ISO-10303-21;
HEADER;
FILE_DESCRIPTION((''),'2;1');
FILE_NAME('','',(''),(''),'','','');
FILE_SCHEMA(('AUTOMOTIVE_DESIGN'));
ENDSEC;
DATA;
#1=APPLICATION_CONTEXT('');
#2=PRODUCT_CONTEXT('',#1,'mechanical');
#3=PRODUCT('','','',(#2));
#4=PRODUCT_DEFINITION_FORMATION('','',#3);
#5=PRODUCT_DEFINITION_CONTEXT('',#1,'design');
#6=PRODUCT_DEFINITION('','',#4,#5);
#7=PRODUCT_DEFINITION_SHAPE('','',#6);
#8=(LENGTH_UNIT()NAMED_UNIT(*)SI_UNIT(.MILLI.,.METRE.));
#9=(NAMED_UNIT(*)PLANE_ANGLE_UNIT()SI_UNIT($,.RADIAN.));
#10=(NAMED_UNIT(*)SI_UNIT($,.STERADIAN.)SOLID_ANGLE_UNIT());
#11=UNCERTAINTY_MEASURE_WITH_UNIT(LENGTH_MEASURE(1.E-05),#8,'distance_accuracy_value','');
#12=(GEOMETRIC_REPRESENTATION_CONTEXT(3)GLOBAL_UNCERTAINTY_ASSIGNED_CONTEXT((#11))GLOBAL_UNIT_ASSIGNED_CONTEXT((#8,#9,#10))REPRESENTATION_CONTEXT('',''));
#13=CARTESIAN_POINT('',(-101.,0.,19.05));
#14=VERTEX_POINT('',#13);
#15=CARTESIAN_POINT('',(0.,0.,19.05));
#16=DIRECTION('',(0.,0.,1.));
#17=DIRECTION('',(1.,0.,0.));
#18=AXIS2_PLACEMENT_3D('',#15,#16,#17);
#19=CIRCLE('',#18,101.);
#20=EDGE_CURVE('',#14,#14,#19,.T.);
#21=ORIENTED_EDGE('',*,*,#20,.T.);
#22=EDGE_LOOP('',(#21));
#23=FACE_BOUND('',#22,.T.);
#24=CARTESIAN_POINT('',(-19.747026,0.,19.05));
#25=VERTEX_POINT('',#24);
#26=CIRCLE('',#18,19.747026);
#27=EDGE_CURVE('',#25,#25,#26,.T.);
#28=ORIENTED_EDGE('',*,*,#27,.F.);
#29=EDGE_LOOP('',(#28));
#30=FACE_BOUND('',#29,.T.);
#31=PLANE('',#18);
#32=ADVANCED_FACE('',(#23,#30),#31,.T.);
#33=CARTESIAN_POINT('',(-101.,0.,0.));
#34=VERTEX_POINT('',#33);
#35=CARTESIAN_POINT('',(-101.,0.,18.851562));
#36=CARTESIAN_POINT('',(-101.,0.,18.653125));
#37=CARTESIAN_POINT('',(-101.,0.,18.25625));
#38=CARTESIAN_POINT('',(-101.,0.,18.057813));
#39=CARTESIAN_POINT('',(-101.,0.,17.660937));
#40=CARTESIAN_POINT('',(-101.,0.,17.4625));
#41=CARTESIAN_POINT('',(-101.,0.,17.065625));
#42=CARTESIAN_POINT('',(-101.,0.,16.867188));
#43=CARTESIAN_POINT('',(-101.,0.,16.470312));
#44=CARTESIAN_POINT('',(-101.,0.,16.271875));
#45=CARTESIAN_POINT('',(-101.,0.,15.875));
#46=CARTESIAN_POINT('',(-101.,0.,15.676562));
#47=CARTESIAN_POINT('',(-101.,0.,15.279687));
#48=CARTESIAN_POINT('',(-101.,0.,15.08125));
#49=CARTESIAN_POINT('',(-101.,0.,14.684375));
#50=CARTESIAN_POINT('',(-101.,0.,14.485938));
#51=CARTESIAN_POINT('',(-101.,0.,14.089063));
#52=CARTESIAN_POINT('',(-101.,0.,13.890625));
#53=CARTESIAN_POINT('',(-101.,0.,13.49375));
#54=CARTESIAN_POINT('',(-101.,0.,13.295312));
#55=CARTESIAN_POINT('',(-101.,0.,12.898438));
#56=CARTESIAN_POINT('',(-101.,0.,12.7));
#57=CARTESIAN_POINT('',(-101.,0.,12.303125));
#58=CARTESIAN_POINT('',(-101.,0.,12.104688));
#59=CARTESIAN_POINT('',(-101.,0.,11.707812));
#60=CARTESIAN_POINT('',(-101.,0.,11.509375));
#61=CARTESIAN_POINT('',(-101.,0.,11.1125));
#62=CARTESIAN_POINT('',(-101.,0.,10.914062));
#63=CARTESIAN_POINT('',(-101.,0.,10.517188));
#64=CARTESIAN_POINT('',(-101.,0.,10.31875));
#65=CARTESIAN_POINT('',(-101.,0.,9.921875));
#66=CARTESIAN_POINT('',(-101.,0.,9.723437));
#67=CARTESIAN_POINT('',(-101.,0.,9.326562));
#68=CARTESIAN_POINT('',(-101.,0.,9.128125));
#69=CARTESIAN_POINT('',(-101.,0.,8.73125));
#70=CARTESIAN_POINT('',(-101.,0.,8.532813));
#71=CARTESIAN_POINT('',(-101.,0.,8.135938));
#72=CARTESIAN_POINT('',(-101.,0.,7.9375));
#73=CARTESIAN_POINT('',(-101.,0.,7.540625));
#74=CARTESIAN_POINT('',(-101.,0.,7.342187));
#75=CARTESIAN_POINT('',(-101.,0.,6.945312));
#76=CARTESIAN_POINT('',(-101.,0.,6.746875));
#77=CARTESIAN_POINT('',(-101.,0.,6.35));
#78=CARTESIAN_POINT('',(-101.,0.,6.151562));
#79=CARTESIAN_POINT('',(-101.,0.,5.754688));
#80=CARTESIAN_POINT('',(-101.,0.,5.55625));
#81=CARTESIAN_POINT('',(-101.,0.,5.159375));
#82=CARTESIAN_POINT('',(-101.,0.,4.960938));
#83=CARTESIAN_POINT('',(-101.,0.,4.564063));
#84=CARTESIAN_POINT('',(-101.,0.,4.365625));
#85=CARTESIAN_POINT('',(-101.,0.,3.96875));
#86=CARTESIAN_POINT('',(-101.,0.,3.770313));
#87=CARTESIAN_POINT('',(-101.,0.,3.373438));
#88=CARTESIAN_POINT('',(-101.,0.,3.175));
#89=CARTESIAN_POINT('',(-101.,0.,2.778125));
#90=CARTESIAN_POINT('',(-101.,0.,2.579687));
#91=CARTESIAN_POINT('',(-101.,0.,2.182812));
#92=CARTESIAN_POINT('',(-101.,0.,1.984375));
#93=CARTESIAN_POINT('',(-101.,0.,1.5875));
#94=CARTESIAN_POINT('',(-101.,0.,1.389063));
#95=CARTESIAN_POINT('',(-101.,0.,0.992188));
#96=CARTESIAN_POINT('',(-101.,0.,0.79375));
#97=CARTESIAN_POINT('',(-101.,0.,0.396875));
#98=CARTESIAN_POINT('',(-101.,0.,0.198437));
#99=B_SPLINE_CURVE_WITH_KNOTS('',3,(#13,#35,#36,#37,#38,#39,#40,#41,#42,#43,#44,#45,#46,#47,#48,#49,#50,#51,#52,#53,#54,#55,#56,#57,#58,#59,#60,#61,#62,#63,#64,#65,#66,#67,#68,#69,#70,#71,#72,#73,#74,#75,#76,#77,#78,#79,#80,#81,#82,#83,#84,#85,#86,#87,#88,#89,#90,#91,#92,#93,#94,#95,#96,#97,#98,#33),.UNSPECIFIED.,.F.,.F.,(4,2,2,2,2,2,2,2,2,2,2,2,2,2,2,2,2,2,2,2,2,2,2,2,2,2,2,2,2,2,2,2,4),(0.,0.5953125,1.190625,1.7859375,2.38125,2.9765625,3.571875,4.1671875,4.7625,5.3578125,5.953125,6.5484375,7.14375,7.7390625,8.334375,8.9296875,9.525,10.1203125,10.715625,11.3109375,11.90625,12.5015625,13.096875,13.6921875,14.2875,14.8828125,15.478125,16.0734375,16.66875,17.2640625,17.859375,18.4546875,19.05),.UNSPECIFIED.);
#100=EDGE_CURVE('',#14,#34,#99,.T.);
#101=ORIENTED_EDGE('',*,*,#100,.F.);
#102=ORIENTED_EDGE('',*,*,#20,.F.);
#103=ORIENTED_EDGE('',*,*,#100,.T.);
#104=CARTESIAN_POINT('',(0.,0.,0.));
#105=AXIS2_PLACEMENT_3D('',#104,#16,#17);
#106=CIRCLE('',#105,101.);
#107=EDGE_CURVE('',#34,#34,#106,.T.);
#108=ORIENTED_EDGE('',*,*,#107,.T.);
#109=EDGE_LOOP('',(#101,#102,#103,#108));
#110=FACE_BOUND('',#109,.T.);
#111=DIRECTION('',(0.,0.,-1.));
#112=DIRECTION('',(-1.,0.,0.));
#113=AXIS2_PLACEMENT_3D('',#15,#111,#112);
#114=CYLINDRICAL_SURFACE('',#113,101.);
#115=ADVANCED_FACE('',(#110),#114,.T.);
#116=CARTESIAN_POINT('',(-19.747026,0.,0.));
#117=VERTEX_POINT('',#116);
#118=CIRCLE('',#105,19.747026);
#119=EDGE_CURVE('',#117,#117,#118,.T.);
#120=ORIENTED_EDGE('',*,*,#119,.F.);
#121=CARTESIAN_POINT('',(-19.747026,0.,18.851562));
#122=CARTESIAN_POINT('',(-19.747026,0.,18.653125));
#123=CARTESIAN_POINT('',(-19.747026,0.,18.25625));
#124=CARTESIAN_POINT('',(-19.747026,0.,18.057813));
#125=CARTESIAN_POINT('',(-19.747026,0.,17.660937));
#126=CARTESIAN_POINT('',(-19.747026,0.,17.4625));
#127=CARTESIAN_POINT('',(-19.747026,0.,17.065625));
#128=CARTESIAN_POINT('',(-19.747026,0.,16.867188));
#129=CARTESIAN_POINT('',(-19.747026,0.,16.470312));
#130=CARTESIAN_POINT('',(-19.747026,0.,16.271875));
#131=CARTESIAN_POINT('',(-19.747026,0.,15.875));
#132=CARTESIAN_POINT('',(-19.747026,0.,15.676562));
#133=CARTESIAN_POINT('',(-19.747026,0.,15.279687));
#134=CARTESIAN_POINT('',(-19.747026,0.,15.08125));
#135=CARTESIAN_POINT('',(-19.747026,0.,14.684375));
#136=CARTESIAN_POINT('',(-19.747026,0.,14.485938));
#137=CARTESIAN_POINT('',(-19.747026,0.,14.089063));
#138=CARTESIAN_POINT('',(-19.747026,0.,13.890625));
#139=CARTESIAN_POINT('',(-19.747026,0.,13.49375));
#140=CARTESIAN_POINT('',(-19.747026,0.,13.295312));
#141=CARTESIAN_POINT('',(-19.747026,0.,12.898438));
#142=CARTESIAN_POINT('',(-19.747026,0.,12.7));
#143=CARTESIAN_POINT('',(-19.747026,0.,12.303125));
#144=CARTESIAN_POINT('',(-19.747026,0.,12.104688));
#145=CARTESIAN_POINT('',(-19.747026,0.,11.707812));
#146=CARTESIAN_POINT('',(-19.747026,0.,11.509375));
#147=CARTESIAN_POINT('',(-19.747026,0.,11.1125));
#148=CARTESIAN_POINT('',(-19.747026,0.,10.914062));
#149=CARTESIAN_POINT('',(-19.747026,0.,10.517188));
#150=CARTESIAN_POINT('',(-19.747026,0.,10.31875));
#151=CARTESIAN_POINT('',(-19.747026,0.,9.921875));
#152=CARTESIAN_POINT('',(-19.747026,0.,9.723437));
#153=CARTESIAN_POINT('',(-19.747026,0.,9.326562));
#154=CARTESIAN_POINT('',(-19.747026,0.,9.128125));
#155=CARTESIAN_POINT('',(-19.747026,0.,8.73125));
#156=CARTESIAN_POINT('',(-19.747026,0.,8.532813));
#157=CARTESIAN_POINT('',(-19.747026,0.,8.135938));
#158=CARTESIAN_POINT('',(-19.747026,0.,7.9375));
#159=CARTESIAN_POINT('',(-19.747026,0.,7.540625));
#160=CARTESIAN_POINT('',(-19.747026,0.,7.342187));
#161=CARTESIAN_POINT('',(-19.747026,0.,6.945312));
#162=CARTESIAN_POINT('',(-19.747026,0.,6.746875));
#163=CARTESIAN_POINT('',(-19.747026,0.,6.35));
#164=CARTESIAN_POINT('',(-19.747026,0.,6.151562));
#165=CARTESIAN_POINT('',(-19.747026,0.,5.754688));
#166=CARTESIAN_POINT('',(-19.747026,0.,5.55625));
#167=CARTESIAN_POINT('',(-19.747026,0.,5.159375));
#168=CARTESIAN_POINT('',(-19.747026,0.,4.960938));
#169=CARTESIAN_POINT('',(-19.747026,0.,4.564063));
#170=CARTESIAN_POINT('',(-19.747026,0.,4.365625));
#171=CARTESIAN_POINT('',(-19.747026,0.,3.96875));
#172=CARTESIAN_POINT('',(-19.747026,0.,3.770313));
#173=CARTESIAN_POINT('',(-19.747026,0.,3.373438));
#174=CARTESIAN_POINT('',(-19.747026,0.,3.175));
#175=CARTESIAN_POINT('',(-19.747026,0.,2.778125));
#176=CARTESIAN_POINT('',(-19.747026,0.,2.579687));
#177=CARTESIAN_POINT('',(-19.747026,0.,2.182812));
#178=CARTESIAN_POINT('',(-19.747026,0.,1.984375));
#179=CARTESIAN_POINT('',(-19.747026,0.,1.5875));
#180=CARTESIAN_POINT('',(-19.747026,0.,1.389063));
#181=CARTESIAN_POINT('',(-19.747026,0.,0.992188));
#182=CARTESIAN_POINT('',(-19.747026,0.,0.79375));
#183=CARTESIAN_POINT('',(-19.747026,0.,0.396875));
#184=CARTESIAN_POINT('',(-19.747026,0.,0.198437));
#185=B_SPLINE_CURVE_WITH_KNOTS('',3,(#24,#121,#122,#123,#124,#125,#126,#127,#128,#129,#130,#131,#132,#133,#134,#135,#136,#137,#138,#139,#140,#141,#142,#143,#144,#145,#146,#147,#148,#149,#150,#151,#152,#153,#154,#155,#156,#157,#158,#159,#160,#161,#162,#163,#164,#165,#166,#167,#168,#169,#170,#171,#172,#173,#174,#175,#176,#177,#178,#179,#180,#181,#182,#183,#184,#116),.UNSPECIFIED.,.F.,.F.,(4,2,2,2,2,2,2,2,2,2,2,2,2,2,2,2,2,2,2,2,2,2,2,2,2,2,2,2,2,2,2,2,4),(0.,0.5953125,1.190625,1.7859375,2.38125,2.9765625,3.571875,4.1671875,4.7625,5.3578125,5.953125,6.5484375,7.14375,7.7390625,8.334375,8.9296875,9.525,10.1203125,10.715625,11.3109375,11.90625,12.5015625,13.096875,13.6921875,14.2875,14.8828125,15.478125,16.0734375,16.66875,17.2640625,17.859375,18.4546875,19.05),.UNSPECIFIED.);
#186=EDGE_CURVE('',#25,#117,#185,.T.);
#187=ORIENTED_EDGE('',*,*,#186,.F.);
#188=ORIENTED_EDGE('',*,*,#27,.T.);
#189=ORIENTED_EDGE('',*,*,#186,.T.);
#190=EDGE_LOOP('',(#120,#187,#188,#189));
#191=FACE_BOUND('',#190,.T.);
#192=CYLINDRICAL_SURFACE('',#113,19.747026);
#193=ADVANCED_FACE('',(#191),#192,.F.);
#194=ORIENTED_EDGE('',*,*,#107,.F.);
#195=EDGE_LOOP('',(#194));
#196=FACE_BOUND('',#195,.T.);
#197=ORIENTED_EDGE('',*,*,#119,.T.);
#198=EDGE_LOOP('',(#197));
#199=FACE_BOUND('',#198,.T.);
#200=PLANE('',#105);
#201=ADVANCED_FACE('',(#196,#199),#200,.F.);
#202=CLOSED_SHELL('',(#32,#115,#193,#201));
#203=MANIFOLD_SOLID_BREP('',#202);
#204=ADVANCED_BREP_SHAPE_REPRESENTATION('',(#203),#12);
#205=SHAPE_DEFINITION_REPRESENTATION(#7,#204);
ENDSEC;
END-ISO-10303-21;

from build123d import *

# Parameters (mm, degrees)
BASEPLATE_R         = 101
BASEPLATE_R_2       = 19.747025761
BOSS_EXTRUDE1_DEPTH = 19.05


with BuildPart() as part:
    # Baseplate → Boss-Extrude1 (new body)
    with BuildSketch(Plane.XY):
        with Locations(Location((0, 0, 0), (0, 0, 180))):
            Circle(BASEPLATE_R)
        with Locations(Location((0, 0, 0), (0, 0, 180))):
            Circle(BASEPLATE_R_2, mode=Mode.SUBTRACT)
    extrude(amount=BOSS_EXTRUDE1_DEPTH)


solid = part.part
